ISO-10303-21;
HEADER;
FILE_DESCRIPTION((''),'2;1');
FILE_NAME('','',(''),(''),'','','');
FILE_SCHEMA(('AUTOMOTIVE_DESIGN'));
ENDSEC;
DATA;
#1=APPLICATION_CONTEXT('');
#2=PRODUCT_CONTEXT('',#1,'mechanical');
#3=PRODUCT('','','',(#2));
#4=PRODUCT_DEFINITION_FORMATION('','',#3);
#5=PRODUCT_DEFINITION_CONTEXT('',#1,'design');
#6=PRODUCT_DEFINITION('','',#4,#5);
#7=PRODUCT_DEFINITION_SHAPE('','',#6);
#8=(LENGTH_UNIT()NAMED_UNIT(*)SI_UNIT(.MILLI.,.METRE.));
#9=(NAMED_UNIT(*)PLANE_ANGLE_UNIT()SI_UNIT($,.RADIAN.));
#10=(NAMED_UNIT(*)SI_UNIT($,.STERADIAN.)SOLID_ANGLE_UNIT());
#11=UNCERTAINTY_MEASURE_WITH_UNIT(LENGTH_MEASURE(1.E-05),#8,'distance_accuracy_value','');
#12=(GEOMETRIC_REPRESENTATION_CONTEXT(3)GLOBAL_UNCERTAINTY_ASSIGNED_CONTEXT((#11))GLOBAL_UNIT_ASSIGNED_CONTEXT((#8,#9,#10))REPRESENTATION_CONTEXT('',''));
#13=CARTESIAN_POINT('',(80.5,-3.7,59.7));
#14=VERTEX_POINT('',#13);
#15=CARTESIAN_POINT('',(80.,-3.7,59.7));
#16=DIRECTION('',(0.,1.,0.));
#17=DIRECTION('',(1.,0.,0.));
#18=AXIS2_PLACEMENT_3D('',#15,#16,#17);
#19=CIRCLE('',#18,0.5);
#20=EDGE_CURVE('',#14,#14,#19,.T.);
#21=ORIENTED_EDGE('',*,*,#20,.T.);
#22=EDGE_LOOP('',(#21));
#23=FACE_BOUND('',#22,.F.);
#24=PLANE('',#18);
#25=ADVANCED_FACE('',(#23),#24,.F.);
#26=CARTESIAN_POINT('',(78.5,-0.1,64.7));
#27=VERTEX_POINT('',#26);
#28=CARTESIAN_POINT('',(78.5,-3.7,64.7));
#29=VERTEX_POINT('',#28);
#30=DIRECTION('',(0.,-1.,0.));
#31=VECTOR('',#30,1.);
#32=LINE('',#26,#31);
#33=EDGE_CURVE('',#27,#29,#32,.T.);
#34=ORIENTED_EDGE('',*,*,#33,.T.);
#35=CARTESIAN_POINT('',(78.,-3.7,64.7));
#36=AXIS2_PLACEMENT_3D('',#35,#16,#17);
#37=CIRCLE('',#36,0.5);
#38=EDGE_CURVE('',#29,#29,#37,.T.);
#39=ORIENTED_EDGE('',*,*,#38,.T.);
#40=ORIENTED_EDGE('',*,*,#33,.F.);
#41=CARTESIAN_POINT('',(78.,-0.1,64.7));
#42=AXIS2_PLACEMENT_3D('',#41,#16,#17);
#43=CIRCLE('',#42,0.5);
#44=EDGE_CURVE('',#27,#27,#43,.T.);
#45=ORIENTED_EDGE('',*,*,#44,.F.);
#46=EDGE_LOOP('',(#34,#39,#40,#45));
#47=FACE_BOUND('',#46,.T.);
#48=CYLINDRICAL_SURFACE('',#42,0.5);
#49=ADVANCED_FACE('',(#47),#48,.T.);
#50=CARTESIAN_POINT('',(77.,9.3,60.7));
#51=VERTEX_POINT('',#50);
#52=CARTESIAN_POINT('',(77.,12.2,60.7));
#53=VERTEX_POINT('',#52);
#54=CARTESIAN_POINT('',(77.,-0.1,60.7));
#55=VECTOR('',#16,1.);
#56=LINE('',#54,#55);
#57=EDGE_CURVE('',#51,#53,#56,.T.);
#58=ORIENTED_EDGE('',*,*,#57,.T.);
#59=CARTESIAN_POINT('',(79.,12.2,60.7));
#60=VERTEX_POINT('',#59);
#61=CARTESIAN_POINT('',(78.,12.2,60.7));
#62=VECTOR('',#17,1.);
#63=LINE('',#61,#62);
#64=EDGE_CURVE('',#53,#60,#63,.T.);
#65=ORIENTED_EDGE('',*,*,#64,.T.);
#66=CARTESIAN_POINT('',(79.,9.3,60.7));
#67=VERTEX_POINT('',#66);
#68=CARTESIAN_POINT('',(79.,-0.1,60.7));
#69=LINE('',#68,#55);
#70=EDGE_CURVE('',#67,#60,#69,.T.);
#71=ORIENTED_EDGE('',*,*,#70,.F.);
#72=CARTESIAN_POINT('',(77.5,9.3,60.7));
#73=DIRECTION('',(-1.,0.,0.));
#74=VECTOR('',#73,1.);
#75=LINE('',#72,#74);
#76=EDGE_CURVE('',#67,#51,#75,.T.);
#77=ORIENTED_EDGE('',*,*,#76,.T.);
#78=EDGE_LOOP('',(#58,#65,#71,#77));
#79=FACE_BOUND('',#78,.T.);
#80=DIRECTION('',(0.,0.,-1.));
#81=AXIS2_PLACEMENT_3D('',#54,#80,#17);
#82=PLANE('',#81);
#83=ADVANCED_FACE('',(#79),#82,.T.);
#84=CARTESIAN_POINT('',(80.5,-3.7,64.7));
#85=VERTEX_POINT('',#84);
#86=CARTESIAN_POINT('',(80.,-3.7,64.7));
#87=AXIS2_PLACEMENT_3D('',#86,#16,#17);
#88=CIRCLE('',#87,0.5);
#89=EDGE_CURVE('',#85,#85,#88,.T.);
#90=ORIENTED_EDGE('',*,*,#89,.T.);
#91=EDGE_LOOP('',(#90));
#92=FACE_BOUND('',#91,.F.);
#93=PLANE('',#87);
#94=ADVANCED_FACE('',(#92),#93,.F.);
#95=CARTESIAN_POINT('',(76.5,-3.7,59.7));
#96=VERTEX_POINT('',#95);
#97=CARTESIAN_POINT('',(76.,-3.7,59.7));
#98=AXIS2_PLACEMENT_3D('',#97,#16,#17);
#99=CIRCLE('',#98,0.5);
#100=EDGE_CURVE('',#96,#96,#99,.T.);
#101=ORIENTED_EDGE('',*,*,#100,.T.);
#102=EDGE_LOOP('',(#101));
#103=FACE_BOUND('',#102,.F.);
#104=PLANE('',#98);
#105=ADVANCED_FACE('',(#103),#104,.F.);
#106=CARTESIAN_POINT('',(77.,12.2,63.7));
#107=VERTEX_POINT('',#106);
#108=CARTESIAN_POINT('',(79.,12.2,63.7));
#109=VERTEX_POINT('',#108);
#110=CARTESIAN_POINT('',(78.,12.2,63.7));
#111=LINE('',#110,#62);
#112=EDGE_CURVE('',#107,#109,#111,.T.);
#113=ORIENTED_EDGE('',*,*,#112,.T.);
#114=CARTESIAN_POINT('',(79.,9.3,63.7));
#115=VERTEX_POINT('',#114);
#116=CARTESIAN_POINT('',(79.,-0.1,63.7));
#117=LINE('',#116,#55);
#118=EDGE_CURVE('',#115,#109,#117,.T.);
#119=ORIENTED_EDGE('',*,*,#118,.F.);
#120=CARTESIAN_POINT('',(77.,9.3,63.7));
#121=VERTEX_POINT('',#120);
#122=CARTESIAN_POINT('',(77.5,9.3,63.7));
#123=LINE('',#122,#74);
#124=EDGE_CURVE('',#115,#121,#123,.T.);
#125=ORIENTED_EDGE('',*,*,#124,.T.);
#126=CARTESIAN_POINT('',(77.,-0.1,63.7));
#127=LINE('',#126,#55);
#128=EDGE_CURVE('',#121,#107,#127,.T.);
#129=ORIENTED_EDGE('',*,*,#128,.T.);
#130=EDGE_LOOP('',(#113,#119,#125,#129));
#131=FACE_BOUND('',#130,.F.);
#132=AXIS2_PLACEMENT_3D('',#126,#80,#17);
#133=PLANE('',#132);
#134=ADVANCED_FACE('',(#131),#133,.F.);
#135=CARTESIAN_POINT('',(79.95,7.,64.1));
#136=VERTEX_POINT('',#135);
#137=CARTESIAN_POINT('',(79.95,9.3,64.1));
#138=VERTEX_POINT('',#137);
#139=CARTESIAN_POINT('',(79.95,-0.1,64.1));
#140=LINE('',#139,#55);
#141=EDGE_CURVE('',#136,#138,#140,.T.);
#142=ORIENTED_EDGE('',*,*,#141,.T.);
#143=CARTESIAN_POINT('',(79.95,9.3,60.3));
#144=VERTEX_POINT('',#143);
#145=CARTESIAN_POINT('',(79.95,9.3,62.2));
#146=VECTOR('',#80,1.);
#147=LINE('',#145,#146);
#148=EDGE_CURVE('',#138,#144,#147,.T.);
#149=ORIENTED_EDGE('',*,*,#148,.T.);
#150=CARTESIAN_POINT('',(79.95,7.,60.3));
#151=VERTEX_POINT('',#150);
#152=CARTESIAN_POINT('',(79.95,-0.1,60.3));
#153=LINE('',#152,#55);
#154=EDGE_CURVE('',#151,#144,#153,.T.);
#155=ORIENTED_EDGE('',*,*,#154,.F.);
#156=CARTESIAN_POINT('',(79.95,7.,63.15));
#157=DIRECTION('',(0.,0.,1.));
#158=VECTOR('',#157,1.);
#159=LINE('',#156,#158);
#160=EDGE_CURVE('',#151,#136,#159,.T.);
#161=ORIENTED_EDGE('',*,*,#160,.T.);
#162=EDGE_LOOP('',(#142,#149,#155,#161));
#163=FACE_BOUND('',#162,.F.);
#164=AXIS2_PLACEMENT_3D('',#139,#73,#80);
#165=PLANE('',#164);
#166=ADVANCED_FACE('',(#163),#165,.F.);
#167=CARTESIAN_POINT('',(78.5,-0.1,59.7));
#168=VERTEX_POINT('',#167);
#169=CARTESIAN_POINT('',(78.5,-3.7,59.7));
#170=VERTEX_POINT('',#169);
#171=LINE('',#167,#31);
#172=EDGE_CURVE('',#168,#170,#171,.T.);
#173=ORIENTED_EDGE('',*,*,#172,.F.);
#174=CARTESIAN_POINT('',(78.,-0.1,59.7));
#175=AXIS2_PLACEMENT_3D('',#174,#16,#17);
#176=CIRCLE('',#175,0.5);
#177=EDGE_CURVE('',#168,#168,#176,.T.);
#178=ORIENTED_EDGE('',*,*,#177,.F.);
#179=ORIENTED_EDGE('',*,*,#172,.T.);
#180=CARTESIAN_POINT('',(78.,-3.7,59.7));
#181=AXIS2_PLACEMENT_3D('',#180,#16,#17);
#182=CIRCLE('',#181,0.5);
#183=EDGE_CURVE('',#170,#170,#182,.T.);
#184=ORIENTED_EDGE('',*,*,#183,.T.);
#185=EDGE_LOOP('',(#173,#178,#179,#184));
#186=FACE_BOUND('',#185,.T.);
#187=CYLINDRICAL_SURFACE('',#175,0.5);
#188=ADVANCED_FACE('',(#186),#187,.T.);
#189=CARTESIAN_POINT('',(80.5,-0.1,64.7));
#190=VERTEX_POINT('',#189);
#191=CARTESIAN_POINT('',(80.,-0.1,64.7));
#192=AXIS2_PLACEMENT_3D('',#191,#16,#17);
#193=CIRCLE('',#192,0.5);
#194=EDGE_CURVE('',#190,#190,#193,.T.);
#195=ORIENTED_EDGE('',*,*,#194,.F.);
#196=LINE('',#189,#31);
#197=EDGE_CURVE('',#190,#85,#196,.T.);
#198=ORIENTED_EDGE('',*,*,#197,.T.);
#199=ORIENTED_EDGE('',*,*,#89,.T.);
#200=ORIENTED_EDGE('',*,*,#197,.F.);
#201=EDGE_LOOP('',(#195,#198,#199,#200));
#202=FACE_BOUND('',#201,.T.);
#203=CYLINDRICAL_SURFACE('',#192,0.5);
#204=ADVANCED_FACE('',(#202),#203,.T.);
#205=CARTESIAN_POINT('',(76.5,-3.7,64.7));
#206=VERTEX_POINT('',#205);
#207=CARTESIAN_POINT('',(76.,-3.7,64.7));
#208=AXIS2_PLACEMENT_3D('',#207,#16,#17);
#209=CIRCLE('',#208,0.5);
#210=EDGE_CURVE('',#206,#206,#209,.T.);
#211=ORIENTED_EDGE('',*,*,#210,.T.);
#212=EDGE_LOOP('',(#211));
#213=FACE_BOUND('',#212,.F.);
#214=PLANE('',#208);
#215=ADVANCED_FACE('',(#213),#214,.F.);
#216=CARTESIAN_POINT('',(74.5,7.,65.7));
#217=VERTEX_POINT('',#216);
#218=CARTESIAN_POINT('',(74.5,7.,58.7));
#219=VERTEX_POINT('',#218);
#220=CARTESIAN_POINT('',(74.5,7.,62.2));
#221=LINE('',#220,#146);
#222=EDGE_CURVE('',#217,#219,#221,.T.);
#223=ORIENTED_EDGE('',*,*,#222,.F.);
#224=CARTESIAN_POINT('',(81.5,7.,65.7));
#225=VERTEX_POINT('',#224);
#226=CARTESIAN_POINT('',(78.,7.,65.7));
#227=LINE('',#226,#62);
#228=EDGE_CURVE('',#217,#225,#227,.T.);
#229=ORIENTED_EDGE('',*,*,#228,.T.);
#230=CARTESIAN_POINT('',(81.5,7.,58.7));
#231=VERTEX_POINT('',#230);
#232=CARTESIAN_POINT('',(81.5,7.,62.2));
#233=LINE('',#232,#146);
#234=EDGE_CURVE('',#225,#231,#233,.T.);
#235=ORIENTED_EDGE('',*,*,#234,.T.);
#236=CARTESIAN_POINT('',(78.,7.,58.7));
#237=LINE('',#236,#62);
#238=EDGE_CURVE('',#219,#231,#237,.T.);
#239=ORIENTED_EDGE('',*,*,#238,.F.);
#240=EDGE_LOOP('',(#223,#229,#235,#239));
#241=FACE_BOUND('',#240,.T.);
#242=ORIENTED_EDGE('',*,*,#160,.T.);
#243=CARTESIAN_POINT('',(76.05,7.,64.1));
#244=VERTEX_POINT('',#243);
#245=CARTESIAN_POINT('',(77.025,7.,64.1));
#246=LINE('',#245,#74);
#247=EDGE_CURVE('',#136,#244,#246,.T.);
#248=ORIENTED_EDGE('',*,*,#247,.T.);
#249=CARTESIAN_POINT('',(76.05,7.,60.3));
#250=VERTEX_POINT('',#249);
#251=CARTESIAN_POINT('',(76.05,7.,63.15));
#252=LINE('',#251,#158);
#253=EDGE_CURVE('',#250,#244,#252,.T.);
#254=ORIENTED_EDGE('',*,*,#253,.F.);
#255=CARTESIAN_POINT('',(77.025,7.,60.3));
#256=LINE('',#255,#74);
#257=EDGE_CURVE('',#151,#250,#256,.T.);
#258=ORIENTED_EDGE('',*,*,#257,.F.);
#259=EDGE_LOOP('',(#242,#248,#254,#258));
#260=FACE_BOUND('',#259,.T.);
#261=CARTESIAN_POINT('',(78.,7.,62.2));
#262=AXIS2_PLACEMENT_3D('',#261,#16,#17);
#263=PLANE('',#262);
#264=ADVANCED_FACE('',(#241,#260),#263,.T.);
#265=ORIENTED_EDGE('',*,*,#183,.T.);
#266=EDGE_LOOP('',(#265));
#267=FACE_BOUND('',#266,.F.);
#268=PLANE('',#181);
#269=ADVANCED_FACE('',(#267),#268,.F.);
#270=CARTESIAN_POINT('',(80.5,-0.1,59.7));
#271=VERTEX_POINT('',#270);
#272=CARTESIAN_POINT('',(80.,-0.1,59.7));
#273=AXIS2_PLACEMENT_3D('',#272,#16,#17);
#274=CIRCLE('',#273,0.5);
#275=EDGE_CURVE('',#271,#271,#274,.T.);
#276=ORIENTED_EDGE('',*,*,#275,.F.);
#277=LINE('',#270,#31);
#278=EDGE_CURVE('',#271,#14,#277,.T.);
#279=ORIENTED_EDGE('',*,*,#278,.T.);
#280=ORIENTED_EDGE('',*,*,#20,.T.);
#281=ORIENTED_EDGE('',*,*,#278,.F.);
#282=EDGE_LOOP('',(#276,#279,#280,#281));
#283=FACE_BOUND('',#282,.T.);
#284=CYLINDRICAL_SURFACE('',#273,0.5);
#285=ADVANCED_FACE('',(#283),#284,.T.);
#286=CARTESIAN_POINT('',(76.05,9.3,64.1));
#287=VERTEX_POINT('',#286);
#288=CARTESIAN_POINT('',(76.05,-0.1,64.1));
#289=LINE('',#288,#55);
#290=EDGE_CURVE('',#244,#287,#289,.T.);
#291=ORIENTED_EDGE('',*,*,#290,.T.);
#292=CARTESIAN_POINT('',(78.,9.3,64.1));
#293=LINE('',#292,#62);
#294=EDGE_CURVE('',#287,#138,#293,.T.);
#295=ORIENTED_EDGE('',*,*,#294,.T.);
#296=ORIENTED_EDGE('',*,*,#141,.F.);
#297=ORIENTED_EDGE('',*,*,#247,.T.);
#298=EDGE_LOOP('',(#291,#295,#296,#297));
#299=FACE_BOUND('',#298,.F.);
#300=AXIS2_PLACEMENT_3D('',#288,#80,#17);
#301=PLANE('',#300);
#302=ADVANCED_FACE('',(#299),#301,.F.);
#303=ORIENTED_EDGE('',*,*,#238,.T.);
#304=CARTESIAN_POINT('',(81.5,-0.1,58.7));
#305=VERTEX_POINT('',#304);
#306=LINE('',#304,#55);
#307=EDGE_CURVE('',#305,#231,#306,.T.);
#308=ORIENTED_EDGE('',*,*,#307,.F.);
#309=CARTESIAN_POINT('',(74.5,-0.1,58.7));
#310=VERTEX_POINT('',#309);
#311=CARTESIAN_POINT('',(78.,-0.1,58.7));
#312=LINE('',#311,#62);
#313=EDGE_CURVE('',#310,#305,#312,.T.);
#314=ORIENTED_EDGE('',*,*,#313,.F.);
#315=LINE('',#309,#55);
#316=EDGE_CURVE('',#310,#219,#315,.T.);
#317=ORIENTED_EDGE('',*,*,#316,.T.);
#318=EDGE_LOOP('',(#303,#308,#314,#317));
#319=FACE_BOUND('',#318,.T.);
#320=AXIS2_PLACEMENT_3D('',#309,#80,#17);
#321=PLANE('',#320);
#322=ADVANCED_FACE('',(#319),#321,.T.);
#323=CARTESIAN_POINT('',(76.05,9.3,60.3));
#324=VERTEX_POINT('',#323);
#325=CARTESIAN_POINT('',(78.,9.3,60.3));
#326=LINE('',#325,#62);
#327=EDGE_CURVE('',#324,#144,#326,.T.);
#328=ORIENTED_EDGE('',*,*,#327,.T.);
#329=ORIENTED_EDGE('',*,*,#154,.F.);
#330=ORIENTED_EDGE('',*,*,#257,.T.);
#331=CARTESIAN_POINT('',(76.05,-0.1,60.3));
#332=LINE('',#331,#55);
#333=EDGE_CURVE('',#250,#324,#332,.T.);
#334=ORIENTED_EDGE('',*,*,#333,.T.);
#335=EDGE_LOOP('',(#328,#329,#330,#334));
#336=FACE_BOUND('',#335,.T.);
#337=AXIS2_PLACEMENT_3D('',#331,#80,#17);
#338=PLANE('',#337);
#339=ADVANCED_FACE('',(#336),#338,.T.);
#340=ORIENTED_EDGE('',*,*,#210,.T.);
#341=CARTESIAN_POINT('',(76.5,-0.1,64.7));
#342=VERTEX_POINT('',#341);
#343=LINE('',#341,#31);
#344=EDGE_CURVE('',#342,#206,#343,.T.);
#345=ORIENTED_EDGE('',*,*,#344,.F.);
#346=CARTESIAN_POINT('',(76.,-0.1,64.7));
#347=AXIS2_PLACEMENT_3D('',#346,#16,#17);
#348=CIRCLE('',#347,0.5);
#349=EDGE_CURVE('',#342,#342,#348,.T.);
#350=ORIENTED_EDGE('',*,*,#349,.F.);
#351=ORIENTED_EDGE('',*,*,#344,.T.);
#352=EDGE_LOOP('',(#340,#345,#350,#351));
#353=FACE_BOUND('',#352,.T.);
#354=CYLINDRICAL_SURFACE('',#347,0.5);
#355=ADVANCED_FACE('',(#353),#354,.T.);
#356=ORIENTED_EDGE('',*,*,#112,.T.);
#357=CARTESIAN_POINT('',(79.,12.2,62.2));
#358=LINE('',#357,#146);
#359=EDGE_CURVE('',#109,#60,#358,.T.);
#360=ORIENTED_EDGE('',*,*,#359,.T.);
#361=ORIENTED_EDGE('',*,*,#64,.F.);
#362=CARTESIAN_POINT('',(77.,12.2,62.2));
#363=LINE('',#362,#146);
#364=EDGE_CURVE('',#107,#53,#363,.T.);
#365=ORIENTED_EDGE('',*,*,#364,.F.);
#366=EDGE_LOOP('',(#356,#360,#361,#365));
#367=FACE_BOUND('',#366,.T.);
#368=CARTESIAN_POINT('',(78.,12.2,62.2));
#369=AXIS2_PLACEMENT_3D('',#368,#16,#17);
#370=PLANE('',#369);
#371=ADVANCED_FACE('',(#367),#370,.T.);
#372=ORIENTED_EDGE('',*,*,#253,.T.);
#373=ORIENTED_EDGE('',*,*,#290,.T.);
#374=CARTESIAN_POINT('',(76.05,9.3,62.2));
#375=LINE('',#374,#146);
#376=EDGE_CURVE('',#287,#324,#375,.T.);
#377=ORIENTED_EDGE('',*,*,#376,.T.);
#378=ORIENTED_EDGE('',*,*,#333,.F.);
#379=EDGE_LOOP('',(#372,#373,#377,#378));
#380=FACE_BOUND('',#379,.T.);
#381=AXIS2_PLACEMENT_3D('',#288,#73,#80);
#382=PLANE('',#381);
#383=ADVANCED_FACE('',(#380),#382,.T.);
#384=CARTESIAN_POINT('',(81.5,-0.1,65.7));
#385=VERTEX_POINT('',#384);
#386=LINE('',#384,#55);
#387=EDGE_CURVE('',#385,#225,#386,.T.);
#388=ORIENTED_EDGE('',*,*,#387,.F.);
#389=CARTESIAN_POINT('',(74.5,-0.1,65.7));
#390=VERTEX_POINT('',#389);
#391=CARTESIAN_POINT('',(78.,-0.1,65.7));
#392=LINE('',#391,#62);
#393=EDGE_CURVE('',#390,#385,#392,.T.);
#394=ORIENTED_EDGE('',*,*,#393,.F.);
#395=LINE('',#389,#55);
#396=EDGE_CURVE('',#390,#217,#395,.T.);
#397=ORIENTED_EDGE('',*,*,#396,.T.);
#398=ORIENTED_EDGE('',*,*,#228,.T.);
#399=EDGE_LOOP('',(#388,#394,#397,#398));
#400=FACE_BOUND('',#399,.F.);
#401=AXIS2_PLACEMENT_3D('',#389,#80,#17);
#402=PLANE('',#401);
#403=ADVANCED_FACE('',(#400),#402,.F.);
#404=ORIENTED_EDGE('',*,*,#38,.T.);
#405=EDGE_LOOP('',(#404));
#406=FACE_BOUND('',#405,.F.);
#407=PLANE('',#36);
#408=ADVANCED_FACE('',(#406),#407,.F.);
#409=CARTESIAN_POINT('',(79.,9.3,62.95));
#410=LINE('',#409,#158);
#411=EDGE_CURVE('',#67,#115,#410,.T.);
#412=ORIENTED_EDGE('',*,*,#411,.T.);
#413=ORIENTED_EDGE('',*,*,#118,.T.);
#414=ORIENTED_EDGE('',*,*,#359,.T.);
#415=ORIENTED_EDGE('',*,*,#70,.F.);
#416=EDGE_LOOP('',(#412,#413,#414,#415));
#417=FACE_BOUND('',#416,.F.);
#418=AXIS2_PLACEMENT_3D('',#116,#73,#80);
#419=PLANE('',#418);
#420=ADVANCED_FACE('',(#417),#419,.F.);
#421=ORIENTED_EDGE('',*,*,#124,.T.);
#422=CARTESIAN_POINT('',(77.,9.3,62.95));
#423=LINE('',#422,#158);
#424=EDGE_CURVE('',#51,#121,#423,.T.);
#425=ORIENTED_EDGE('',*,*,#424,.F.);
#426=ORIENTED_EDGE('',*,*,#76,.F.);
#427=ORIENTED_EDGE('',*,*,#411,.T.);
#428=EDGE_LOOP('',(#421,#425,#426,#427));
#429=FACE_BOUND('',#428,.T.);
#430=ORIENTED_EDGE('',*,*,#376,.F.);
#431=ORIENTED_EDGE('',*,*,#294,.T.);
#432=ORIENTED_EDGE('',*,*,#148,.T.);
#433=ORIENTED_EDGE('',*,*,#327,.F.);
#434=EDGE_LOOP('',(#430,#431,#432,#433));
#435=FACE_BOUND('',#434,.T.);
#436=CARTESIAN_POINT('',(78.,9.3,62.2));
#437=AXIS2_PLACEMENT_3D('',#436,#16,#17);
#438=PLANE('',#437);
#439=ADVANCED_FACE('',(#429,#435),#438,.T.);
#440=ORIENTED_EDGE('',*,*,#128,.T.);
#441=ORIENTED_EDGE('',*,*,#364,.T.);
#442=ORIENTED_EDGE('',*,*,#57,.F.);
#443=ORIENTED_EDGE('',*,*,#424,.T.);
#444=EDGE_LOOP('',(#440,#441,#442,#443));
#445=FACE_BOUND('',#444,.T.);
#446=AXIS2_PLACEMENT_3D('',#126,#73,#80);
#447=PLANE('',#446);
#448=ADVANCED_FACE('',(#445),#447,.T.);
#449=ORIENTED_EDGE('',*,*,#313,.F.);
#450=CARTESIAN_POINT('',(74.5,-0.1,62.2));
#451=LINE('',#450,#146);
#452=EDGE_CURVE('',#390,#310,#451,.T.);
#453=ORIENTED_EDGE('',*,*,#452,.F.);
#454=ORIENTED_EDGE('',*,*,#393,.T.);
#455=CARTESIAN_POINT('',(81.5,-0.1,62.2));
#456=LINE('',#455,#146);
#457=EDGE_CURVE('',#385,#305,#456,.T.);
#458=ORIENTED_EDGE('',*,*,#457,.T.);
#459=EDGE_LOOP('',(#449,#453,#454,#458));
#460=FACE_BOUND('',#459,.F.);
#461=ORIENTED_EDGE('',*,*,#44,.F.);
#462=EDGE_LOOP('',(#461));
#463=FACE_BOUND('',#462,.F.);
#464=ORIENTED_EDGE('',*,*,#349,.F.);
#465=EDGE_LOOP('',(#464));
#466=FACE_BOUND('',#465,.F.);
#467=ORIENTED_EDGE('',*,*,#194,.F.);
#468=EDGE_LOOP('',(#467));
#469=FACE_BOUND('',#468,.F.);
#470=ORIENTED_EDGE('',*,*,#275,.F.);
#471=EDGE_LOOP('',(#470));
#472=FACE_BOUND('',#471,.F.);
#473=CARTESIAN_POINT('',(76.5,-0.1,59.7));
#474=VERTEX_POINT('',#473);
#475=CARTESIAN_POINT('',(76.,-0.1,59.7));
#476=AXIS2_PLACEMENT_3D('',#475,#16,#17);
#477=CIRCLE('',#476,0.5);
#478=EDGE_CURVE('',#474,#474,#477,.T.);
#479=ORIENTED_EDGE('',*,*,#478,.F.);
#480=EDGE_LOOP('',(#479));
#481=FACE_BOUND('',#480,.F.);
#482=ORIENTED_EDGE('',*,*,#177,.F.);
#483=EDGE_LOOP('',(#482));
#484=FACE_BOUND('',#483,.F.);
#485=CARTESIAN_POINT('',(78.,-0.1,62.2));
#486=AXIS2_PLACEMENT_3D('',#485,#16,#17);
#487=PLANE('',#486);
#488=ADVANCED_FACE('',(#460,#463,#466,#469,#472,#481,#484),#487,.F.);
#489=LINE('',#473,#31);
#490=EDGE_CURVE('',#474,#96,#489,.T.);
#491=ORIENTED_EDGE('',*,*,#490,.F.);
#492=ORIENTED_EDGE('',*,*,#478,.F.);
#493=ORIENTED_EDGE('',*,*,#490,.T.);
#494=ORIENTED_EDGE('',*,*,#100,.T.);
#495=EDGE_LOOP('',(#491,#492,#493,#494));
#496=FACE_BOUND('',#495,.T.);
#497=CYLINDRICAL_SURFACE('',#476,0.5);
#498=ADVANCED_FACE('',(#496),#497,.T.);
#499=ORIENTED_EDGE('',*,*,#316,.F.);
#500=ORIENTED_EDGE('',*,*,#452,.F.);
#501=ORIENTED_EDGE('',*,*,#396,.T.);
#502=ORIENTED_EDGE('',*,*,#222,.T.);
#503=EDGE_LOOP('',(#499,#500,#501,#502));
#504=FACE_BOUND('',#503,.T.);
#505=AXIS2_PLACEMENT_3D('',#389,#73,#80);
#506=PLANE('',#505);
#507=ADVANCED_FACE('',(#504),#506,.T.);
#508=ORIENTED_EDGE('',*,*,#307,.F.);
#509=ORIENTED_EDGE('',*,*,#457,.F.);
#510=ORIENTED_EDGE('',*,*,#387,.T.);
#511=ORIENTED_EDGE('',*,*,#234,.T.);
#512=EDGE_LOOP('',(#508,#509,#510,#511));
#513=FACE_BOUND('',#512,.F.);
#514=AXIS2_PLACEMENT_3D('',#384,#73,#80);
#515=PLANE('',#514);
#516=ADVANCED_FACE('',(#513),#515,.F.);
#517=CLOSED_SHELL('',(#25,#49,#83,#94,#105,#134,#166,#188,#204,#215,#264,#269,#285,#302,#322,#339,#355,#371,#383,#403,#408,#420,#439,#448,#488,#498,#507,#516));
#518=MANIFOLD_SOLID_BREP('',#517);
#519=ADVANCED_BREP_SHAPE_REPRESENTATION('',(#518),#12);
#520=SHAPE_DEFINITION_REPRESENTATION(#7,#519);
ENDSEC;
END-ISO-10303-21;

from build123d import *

# Parameters (mm, degrees)
SKETCH069_W             = 7
SKETCH069_H             = 7
PAD039_DEPTH            = 7.1
SKETCH070_R             = 0.5
PAD040_DEPTH            = 3.6
SKETCH071_W             = 3.9
SKETCH071_H             = 3.8
PAD041_DEPTH            = 9.4
SKETCH072_W             = 2
SKETCH072_H             = 3
PAD042_DEPTH            = 12.3
BODY103_PLACEMENT_ANGLE = 90


with BuildPart() as part:
    # Sketch069 → Pad039 (new body)
    with BuildSketch(Plane.XY):
        Rectangle(SKETCH069_W, SKETCH069_H)
    extrude(amount=PAD039_DEPTH)

    # Sketch070 → Pad040 (join)
    with BuildSketch(Plane.XY):
        with Locations((0, 2.5)):
            Circle(SKETCH070_R)
        with Locations((0, -2.5)):
            Circle(SKETCH070_R)
        with Locations((2, 2.5)):
            Circle(SKETCH070_R)
        with Locations((-2, 2.5)):
            Circle(SKETCH070_R)
        with Locations((-2, -2.5)):
            Circle(SKETCH070_R)
        with Locations((2, -2.5)):
            Circle(SKETCH070_R)
    extrude(amount=-PAD040_DEPTH)

    # Sketch071 → Pad041 (join)
    with BuildSketch(Plane.XY):
        Rectangle(SKETCH071_W, SKETCH071_H)
    extrude(amount=PAD041_DEPTH)

    # Sketch072 → Pad042 (join)
    with BuildSketch(Plane.XY):
        Rectangle(SKETCH072_W, SKETCH072_H)
    extrude(amount=PAD042_DEPTH)


with BuildPart() as part_1:
    # Body103 placement: moved
    add(part.part.moved(Location((78, -0.1, 45.8))).rotate(Axis((78, -0.1, 45.8), (-1, 0, 0)), BODY103_PLACEMENT_ANGLE))


with BuildPart() as part_2:
    # Body104 placement: moved
    add(part_1.part.moved(Location((0, 0, 16.4))))


solid = part_2.part
